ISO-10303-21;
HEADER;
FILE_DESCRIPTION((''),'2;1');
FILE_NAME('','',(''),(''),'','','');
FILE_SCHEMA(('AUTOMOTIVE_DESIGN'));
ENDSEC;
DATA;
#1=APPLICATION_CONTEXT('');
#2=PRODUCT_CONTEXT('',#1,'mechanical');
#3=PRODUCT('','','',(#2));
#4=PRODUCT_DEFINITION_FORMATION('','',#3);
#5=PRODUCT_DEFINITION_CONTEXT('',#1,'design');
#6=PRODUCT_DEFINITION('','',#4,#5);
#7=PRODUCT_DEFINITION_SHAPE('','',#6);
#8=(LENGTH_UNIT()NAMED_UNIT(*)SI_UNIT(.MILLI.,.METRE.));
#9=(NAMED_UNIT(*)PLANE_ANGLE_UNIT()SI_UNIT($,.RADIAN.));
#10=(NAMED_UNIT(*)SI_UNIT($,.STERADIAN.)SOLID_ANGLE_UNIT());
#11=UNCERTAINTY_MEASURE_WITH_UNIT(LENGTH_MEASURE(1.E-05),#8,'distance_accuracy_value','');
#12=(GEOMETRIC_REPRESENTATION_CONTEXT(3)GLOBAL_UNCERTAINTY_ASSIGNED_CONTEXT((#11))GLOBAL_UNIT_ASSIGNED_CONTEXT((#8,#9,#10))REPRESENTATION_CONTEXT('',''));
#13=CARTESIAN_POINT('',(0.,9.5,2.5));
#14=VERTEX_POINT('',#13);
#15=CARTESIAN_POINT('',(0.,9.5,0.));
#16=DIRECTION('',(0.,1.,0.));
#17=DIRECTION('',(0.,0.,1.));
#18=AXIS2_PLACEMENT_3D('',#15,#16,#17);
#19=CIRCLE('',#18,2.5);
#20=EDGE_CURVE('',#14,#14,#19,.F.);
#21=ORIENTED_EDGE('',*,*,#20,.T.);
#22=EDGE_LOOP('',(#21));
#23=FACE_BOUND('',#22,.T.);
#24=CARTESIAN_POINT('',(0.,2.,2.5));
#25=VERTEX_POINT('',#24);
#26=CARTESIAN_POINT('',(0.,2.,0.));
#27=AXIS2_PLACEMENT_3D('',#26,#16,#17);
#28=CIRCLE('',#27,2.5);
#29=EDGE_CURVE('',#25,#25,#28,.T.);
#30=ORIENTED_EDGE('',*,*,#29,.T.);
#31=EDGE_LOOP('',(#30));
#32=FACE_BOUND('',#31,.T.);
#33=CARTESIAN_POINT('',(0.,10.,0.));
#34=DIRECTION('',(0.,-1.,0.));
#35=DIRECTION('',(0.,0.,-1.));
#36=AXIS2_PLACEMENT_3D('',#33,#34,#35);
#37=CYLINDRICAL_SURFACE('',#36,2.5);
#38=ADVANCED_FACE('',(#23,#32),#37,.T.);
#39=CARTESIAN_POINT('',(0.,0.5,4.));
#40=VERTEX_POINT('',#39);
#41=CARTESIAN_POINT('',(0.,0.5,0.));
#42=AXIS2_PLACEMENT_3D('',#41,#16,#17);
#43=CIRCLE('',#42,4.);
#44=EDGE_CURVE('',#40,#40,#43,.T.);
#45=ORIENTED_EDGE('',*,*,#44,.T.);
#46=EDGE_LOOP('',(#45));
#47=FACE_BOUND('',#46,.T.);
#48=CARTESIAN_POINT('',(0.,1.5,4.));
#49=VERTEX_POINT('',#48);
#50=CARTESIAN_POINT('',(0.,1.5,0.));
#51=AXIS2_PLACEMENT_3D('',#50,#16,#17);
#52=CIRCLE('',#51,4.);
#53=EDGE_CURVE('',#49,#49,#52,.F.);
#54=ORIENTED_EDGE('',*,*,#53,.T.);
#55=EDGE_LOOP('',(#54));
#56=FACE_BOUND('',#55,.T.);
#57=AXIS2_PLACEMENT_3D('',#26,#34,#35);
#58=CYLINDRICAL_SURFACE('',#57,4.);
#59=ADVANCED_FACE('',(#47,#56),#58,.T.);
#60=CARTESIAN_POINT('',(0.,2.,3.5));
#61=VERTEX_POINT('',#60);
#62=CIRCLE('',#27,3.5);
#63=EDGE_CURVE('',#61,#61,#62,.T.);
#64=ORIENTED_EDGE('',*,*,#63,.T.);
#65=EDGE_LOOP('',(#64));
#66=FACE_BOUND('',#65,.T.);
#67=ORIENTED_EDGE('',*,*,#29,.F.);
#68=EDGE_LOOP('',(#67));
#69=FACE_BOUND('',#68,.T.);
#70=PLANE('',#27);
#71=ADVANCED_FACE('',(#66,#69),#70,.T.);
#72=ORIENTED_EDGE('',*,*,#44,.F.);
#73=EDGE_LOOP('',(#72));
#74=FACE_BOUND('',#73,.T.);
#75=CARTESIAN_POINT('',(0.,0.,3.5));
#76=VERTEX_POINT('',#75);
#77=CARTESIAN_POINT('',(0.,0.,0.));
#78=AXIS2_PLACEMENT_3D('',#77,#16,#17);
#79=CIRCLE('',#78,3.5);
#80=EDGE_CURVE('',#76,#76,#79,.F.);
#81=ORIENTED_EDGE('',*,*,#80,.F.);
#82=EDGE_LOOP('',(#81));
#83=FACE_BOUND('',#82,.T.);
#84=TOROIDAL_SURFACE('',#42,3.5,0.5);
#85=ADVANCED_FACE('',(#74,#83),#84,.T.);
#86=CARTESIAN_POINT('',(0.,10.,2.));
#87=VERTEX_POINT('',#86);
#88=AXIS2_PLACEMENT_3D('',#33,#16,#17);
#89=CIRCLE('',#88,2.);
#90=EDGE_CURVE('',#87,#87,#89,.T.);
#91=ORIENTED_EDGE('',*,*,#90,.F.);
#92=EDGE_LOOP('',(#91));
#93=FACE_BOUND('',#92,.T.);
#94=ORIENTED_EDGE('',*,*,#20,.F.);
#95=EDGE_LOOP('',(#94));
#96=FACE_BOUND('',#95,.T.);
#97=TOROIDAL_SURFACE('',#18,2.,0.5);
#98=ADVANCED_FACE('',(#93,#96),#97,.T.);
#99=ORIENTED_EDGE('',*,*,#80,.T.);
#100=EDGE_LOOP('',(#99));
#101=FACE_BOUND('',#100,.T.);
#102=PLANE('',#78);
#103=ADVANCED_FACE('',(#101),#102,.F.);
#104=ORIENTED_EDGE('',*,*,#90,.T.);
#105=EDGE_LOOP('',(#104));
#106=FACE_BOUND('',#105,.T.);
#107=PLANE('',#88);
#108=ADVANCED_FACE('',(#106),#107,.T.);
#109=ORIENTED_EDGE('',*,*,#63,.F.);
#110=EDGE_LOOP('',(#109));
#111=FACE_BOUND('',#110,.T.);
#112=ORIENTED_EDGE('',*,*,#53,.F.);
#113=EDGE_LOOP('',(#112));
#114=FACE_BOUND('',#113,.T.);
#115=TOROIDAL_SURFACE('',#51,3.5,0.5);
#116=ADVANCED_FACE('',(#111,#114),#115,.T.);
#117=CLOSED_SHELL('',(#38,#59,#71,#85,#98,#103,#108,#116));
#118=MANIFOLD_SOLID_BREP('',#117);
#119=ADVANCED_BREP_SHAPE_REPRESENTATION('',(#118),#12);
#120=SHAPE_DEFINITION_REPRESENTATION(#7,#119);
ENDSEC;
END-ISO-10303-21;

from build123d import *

# Parameters (mm, degrees)
SKETCH1_R           = 4
BOSS_EXTRUDE1_DEPTH = 2
SKETCH2_R           = 2.5
BOSS_EXTRUDE2_DEPTH = 8
FILLET1_R           = 0.5
FILLET2_R           = 0.5
FILLET3_R           = 0.5


with BuildPart() as part:
    # Sketch1 → Boss-Extrude1 (new body)
    with BuildSketch(Plane(origin=(0, 0, 0), x_dir=(1, 0, 0), z_dir=(0, 1, 0))):
        with Locations(Location((0, 0, 0), (0, 0, 270))):
            Circle(SKETCH1_R)
    extrude(amount=BOSS_EXTRUDE1_DEPTH)

    # Sketch2 → Boss-Extrude2 (add)
    with BuildSketch(Plane(origin=(0, 2, 0), x_dir=(1, 0, 0), z_dir=(0, 1, 0))):
        with Locations(Location((0, 0, 0), (0, 0, 270))):
            Circle(SKETCH2_R)
    extrude(amount=BOSS_EXTRUDE2_DEPTH)

    # Fillet1
    fillet1_edges = [part.edges().sort_by_distance(p)[0] for p in [
        (0, 0, -4),
    ]]
    fillet(fillet1_edges, radius=FILLET1_R)

    # Fillet2
    fillet2_edges = [part.edges().sort_by_distance(p)[0] for p in [
        (0, 2, -4),
    ]]
    fillet(fillet2_edges, radius=FILLET2_R)

    # Fillet3
    fillet3_edges = [part.edges().sort_by_distance(p)[0] for p in [
        (0, 10, -2.5),
    ]]
    fillet(fillet3_edges, radius=FILLET3_R)


solid = part.part
